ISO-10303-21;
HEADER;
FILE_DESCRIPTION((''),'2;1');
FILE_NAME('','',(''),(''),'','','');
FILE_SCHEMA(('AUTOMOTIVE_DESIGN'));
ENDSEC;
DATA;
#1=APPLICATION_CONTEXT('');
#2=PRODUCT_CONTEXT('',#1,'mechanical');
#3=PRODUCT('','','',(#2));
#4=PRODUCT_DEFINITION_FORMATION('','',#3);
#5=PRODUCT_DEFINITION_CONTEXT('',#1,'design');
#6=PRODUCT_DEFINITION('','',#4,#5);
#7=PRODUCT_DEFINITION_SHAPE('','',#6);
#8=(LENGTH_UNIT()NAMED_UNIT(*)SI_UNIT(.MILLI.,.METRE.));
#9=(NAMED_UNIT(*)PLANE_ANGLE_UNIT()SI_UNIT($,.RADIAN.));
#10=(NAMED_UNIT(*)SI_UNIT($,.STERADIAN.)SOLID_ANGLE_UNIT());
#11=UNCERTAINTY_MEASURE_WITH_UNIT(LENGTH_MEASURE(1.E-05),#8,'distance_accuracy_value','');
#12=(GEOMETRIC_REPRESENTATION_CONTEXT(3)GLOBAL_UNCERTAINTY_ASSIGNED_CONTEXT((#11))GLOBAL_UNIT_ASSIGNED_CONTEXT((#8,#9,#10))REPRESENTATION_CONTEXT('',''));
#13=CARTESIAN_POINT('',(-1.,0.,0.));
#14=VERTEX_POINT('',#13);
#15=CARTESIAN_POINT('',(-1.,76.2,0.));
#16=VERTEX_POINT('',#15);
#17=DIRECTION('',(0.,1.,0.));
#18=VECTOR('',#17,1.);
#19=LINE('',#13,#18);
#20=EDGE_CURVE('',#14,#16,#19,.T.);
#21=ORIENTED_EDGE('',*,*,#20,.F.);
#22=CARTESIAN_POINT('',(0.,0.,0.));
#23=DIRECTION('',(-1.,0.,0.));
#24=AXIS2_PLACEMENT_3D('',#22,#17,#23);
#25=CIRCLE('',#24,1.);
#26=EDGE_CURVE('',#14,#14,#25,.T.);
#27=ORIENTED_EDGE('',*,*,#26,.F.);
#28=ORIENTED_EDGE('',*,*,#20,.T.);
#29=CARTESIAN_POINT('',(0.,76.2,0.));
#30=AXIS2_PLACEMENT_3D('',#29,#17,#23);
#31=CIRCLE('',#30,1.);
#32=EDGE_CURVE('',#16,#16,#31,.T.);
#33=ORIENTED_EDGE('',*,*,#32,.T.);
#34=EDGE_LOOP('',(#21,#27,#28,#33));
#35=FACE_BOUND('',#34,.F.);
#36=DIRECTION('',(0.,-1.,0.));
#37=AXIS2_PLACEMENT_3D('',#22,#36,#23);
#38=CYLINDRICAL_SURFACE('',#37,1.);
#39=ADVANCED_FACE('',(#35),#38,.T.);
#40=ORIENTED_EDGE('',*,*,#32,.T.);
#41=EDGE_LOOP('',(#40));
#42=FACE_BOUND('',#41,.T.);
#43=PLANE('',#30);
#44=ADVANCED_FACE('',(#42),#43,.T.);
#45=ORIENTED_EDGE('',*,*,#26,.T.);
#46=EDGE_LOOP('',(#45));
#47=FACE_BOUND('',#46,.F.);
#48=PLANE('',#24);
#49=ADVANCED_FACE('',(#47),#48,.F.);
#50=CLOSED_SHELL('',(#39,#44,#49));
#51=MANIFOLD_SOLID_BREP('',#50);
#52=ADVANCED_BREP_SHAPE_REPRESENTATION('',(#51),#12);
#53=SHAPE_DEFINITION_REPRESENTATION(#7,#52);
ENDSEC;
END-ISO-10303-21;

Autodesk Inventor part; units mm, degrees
ref_plane "YZ Plane" through (0, 0, 0) normal (1, 0, 0) x (0, 1, 0)
ref_plane "XZ Plane" through (0, 0, 0) normal (0, 1, 0) x (-1, 0, 0)
ref_plane "XY Plane" through (0, 0, 0) normal (0, 0, 1) x (1, 0, 0)
sketch "Shaft Sketch" plane through (0, 0, 0) normal (0, 1, 0) x (-1, 0, 0)
  circle A0 centre (0, 0) radius 1
  dimension "d0" = 2
extrude "3' Extrusion" add sketch "Shaft Sketch" along normal blind 76.2
properties part number "2mmAxel3in"
